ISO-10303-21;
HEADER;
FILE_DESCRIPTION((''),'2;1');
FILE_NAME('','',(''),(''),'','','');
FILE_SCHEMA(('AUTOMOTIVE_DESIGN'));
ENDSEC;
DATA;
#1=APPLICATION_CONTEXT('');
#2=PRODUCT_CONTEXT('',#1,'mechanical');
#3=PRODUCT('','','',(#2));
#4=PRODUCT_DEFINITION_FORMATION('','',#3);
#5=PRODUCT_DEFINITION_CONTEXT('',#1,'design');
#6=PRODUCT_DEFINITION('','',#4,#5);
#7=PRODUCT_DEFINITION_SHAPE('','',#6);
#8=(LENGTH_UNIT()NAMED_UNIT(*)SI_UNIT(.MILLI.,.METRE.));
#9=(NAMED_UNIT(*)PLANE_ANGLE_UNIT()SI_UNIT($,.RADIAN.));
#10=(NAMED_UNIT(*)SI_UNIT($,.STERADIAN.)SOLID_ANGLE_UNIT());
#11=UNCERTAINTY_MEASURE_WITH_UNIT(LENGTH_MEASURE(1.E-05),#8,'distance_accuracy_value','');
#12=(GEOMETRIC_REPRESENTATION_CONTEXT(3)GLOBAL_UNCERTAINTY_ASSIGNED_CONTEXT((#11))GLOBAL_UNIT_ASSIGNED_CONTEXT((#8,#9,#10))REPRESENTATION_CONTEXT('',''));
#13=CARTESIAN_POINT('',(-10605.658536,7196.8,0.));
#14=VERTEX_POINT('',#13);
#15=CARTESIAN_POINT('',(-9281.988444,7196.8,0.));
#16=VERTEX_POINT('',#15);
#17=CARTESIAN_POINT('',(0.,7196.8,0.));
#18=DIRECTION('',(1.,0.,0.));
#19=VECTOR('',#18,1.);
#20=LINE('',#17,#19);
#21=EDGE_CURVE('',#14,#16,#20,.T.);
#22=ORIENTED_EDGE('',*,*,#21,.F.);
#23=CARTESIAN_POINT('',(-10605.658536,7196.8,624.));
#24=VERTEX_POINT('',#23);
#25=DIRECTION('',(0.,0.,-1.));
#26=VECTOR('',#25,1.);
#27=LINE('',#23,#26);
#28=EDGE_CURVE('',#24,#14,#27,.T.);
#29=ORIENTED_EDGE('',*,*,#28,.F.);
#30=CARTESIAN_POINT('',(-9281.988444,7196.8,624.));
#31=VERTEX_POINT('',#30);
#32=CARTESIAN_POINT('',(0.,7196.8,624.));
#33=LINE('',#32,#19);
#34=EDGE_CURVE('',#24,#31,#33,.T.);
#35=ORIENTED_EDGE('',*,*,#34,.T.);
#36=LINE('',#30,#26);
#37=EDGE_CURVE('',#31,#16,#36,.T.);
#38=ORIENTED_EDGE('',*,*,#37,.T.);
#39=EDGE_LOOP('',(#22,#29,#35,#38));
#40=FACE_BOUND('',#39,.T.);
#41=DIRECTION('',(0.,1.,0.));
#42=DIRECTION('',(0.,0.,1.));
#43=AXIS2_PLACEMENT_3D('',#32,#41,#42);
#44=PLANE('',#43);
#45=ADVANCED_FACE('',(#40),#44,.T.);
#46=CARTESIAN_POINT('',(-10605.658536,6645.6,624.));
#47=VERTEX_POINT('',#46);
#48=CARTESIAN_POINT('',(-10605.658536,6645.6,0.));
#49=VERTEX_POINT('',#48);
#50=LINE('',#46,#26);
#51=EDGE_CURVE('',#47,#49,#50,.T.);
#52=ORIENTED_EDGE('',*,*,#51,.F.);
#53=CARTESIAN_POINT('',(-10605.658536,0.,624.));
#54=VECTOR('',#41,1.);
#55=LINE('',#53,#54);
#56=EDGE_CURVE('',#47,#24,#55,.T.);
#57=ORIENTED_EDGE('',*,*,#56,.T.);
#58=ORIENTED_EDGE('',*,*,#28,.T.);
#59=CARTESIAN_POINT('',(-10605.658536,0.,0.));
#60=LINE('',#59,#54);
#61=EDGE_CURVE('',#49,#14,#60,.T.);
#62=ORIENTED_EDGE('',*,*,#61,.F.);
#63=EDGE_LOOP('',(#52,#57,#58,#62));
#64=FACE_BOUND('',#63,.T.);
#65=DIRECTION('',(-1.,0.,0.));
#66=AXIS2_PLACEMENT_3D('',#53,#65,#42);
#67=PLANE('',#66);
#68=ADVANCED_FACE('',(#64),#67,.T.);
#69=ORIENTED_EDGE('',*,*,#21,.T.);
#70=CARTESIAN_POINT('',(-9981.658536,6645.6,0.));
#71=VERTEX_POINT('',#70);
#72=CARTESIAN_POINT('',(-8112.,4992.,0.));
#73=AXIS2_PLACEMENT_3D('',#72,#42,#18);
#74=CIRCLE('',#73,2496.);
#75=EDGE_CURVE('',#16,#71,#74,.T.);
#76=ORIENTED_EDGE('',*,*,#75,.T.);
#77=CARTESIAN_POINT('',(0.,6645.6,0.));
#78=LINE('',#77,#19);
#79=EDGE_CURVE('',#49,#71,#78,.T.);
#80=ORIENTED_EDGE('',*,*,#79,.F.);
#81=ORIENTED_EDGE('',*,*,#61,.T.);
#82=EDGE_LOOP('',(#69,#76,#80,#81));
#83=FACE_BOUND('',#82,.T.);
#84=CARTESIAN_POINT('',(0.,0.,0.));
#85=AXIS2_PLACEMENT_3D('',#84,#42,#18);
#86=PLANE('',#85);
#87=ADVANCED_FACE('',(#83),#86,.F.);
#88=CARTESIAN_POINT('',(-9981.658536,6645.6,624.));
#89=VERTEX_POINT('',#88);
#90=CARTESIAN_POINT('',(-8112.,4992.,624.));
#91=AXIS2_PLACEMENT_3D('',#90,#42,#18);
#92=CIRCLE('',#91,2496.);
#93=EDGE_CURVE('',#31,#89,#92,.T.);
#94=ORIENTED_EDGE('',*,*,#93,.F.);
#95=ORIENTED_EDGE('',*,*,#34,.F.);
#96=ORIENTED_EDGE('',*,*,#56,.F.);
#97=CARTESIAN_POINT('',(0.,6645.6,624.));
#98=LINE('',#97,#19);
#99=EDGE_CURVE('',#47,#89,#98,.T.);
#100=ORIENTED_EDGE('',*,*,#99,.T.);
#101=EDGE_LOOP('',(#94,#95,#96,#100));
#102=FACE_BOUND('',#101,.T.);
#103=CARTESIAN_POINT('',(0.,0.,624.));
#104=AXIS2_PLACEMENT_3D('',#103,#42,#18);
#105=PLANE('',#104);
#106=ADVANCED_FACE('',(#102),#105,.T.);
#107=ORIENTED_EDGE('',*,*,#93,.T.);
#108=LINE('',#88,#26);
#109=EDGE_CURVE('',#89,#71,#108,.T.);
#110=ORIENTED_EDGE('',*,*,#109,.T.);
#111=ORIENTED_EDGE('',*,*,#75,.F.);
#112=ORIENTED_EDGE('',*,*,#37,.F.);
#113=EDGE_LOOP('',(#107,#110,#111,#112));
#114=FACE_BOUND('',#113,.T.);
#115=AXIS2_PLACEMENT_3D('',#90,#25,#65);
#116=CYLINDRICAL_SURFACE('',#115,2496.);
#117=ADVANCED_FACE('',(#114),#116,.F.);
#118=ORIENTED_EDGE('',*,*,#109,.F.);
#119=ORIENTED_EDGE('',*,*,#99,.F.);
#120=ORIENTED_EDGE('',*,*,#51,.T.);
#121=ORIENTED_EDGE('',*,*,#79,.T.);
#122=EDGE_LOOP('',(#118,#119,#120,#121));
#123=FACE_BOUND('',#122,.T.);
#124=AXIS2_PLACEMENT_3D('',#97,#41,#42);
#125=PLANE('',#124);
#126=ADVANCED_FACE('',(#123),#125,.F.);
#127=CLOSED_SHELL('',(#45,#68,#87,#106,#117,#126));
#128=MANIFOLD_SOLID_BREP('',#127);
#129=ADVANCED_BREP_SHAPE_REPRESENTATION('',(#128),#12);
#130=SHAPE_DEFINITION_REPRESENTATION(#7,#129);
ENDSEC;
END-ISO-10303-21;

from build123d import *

# Parameters (mm, degrees)
EXTRUDE_1_DEPTH = 480
SCALE_1_SCALE   = 1.3


with BuildPart() as part:
    # 草图1 → 凸台-拉伸1 (new body)
    with BuildSketch(Plane.XY):
        with BuildLine():
            Line((-8158.198873592, 5112), (-7678.198873592, 5112))
            ThreePointArc((-7678.198873592, 5112), (-7531.058159836, 5261.115346452), (-7368.547684402, 5393.3126292))
            ThreePointArc((-7368.547684402, 5393.3126292), (-7256.775458313, 5468.670521429), (-7139.991111067, 5536))
            Line((-7139.991111067, 5536), (-7619.991111067, 5536))
            Line((-7619.991111067, 5536), (-8158.198873592, 5536))
            Line((-8158.198873592, 5536), (-8158.198873592, 5112))
        make_face()
    extrude(amount=EXTRUDE_1_DEPTH)


with BuildPart() as part_1:
    # 缩放比例1: scaled about (0, 0, 0)
    add(part.part.scale(SCALE_1_SCALE))


solid = part_1.part
